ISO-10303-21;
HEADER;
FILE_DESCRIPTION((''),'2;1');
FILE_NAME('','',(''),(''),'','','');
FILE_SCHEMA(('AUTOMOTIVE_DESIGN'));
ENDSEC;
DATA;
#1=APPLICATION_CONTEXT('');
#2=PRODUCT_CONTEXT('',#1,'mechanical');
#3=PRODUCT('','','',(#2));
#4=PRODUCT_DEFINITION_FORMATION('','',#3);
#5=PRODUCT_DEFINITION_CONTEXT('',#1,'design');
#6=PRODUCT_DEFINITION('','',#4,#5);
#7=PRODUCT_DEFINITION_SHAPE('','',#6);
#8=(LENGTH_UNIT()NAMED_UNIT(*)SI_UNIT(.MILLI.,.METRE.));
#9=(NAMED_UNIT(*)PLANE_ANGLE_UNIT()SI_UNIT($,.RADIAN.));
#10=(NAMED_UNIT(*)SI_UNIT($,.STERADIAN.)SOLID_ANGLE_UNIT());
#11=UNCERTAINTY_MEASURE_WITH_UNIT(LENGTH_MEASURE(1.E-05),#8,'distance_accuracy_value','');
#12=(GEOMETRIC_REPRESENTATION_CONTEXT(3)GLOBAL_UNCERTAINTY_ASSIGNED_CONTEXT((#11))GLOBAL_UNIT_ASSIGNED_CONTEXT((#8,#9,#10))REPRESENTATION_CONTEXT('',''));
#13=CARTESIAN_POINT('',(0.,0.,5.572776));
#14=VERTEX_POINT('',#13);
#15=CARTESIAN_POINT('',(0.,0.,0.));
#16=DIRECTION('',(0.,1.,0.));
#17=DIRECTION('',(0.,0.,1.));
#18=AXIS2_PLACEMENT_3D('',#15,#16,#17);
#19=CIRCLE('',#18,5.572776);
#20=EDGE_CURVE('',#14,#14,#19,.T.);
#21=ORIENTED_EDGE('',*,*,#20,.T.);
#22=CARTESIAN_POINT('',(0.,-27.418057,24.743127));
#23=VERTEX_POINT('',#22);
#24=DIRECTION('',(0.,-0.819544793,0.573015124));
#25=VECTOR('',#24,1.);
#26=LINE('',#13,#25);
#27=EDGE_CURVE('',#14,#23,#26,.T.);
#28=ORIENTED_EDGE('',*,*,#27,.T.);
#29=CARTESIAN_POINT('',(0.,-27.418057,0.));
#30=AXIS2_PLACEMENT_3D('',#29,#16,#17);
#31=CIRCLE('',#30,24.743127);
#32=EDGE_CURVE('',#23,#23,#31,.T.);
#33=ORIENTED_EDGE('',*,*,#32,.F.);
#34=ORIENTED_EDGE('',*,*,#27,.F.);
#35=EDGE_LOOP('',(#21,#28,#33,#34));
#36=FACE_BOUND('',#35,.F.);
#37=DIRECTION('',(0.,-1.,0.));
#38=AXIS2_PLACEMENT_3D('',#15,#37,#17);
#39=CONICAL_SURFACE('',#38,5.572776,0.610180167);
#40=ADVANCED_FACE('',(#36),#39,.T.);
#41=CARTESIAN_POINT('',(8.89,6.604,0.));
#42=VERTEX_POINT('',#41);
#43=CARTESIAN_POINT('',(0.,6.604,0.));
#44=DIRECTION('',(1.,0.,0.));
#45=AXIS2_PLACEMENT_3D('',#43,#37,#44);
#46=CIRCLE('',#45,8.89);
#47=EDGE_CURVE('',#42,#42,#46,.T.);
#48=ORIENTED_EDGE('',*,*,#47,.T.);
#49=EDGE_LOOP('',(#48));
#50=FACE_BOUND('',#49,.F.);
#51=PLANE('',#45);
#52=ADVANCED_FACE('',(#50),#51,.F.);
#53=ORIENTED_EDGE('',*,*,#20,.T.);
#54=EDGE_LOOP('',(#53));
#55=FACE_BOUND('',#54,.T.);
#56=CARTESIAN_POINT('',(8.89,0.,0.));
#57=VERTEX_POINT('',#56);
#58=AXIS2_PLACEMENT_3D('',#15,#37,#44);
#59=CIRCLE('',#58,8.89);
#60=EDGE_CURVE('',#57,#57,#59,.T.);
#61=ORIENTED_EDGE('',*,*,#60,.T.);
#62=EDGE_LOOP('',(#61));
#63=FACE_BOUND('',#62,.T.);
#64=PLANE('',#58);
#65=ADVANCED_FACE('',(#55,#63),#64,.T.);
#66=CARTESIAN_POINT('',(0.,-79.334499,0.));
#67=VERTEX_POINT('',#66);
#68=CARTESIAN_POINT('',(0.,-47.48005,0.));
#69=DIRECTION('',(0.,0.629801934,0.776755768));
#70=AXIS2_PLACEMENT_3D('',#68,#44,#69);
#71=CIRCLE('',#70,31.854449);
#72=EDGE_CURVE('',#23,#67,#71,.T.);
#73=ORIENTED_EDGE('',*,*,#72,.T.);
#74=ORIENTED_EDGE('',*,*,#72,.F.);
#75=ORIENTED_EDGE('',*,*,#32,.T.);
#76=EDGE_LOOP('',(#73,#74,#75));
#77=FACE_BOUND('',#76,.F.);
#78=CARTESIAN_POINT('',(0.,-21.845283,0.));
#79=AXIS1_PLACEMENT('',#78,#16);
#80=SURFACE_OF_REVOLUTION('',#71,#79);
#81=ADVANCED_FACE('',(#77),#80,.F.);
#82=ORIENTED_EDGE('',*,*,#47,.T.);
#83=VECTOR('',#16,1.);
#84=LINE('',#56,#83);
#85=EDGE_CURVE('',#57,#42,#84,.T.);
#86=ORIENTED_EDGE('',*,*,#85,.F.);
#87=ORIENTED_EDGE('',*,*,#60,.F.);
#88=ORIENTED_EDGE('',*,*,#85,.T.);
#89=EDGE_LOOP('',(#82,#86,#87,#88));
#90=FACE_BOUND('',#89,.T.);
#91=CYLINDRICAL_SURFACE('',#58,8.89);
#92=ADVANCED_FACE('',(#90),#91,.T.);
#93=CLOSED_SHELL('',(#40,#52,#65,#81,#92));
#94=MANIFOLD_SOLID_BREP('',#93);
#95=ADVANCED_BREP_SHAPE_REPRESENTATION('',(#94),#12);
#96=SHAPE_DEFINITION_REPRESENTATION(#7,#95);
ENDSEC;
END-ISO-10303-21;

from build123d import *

# Parameters (mm, degrees)
F0_R     = 8.89
F1_DEPTH = 6.604


with BuildPart() as f1:
    # F0 (on Front) → F1 (new body)
    with BuildSketch(Plane.XZ):
        Circle(F0_R)
    extrude(amount=-F1_DEPTH)

    # F2 (on Right) → F3 (revolve)
    with BuildSketch(Plane.YZ):
        with BuildLine():
            Line((-79.334499, 0), (-15.625601, 0))
            ThreePointArc((-15.625601, 0), (-18.724445, 13.704783), (-27.418057, 24.743127))
            ThreePointArc((-27.418057, 24.743127), (-61.184834, 28.755605), (-79.334499, 0))
        make_face()
        with BuildLine():
            ThreePointArc((-27.418057, 24.743127), (-18.724445, 13.704783), (-15.625601, 0))
            Line((-15.625601, 0), (0, 0))
            Line((0, 0), (0, 5.572776))
            Line((0, 5.572776), (-27.418057, 24.743127))
        make_face()
    revolve(axis=Axis((0, -21.845283, 0), (0, 1, 0)))


solid = f1.part
